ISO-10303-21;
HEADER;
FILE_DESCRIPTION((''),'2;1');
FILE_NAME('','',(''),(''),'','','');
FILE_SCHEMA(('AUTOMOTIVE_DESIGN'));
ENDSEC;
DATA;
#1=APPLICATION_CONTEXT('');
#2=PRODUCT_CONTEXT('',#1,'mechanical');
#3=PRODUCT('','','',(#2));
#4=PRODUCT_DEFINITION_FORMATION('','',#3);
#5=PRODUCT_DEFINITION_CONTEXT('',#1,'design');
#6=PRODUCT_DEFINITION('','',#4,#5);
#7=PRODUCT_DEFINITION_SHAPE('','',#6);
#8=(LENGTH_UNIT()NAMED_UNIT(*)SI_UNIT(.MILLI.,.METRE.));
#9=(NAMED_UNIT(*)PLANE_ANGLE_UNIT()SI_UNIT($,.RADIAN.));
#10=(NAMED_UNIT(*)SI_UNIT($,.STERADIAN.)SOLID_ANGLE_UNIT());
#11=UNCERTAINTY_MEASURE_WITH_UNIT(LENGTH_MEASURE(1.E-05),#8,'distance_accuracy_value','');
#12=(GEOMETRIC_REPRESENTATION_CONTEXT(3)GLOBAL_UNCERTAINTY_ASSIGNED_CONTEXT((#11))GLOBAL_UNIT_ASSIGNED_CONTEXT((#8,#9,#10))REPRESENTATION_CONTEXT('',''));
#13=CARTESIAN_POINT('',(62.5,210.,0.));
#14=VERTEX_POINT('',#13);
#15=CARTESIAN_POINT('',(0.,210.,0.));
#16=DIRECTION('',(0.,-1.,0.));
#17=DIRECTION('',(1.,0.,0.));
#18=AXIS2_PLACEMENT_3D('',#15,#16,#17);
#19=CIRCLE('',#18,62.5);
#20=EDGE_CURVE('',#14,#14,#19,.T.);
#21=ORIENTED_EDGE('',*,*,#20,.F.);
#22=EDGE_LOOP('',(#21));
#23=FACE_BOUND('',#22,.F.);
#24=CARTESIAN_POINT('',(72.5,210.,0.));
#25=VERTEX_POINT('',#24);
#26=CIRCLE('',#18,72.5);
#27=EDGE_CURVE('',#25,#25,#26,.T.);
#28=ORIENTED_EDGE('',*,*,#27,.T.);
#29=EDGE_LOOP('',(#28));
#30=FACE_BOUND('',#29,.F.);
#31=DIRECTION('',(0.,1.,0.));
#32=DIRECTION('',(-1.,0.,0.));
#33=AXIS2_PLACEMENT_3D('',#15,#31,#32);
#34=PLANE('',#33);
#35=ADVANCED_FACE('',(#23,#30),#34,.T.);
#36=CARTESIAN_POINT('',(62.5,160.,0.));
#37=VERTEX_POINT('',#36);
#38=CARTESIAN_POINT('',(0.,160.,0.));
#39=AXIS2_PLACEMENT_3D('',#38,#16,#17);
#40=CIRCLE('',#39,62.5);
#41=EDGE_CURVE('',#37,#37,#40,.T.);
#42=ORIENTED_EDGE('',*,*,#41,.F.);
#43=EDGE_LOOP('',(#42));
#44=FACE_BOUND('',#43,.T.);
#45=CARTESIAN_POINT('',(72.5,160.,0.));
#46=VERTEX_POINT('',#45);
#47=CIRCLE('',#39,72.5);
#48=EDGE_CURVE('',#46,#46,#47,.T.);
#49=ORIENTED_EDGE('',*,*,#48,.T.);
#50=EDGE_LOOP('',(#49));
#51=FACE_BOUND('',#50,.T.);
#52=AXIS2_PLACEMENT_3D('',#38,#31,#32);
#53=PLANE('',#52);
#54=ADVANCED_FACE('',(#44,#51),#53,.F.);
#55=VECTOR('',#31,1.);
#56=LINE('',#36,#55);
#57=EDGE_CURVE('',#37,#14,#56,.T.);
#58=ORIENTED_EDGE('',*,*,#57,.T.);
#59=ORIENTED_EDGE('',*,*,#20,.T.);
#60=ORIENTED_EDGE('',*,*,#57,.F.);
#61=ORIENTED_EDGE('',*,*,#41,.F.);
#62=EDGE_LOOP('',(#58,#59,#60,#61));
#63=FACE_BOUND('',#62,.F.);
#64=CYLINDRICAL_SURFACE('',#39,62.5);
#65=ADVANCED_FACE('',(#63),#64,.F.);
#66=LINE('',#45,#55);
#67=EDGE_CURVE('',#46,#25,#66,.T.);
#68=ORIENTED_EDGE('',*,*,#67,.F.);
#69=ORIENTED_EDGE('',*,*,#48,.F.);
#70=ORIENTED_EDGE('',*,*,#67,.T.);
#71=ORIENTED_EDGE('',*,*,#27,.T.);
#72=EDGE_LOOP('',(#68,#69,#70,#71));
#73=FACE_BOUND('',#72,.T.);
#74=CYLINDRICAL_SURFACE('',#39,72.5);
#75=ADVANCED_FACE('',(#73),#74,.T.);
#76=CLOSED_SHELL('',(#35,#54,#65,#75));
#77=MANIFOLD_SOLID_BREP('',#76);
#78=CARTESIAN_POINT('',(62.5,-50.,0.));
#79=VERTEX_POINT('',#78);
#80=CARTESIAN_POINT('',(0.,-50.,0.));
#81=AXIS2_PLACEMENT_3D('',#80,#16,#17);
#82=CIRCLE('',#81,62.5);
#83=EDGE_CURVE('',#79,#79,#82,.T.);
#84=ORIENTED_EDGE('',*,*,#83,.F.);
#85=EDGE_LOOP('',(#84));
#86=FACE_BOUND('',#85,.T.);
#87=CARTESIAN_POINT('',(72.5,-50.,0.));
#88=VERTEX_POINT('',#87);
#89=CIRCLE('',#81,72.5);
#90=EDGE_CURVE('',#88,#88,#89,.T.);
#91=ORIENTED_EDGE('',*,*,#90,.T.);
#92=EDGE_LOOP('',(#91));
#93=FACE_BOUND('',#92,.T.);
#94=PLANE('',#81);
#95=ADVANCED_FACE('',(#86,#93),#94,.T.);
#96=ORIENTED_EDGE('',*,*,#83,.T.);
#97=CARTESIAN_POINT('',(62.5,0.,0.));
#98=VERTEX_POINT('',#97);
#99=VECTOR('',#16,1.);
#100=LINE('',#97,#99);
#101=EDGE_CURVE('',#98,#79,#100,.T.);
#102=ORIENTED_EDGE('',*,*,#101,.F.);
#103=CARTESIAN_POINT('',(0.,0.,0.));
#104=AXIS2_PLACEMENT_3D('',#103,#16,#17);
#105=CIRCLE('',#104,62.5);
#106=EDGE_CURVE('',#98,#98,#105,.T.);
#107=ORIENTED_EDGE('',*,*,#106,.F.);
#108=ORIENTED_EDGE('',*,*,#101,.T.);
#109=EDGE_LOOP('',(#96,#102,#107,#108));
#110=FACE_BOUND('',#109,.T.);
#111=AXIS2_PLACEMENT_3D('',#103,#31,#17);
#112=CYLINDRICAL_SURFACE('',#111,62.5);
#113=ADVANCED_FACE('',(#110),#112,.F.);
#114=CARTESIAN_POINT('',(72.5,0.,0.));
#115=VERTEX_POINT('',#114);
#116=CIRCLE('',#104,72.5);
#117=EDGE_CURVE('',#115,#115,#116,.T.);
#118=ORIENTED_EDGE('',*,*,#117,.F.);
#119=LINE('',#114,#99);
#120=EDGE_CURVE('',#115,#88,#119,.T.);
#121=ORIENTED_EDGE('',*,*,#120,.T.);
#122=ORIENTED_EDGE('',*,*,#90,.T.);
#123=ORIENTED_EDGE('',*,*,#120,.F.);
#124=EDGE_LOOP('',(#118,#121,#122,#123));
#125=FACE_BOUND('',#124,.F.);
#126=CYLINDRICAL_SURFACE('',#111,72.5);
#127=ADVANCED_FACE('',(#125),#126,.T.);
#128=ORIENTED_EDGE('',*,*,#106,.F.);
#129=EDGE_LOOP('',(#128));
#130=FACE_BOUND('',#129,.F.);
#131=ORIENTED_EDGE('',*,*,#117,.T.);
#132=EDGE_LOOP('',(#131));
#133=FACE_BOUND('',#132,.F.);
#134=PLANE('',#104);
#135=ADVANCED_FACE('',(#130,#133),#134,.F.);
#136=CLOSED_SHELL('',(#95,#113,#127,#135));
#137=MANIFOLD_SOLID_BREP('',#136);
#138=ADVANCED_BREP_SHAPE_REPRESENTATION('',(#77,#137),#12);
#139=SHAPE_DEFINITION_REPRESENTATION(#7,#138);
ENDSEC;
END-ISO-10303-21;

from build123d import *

# Parameters (mm, degrees)
F0_R     = 72.5
F0_R_2   = 62.5
F1_DEPTH = 50


with BuildPart() as f1:
    # F0 (on Front) → F1 (new body)
    with BuildSketch(Plane.XZ):
        Circle(F0_R)
        Circle(F0_R_2, mode=Mode.SUBTRACT)
    extrude(amount=F1_DEPTH)


with BuildPart() as f3_1:
    # F3: instance of F1
    add(f1.part.mirror(Plane.XZ.offset(-80)))


solid = Compound([f1.part, f3_1.part])
